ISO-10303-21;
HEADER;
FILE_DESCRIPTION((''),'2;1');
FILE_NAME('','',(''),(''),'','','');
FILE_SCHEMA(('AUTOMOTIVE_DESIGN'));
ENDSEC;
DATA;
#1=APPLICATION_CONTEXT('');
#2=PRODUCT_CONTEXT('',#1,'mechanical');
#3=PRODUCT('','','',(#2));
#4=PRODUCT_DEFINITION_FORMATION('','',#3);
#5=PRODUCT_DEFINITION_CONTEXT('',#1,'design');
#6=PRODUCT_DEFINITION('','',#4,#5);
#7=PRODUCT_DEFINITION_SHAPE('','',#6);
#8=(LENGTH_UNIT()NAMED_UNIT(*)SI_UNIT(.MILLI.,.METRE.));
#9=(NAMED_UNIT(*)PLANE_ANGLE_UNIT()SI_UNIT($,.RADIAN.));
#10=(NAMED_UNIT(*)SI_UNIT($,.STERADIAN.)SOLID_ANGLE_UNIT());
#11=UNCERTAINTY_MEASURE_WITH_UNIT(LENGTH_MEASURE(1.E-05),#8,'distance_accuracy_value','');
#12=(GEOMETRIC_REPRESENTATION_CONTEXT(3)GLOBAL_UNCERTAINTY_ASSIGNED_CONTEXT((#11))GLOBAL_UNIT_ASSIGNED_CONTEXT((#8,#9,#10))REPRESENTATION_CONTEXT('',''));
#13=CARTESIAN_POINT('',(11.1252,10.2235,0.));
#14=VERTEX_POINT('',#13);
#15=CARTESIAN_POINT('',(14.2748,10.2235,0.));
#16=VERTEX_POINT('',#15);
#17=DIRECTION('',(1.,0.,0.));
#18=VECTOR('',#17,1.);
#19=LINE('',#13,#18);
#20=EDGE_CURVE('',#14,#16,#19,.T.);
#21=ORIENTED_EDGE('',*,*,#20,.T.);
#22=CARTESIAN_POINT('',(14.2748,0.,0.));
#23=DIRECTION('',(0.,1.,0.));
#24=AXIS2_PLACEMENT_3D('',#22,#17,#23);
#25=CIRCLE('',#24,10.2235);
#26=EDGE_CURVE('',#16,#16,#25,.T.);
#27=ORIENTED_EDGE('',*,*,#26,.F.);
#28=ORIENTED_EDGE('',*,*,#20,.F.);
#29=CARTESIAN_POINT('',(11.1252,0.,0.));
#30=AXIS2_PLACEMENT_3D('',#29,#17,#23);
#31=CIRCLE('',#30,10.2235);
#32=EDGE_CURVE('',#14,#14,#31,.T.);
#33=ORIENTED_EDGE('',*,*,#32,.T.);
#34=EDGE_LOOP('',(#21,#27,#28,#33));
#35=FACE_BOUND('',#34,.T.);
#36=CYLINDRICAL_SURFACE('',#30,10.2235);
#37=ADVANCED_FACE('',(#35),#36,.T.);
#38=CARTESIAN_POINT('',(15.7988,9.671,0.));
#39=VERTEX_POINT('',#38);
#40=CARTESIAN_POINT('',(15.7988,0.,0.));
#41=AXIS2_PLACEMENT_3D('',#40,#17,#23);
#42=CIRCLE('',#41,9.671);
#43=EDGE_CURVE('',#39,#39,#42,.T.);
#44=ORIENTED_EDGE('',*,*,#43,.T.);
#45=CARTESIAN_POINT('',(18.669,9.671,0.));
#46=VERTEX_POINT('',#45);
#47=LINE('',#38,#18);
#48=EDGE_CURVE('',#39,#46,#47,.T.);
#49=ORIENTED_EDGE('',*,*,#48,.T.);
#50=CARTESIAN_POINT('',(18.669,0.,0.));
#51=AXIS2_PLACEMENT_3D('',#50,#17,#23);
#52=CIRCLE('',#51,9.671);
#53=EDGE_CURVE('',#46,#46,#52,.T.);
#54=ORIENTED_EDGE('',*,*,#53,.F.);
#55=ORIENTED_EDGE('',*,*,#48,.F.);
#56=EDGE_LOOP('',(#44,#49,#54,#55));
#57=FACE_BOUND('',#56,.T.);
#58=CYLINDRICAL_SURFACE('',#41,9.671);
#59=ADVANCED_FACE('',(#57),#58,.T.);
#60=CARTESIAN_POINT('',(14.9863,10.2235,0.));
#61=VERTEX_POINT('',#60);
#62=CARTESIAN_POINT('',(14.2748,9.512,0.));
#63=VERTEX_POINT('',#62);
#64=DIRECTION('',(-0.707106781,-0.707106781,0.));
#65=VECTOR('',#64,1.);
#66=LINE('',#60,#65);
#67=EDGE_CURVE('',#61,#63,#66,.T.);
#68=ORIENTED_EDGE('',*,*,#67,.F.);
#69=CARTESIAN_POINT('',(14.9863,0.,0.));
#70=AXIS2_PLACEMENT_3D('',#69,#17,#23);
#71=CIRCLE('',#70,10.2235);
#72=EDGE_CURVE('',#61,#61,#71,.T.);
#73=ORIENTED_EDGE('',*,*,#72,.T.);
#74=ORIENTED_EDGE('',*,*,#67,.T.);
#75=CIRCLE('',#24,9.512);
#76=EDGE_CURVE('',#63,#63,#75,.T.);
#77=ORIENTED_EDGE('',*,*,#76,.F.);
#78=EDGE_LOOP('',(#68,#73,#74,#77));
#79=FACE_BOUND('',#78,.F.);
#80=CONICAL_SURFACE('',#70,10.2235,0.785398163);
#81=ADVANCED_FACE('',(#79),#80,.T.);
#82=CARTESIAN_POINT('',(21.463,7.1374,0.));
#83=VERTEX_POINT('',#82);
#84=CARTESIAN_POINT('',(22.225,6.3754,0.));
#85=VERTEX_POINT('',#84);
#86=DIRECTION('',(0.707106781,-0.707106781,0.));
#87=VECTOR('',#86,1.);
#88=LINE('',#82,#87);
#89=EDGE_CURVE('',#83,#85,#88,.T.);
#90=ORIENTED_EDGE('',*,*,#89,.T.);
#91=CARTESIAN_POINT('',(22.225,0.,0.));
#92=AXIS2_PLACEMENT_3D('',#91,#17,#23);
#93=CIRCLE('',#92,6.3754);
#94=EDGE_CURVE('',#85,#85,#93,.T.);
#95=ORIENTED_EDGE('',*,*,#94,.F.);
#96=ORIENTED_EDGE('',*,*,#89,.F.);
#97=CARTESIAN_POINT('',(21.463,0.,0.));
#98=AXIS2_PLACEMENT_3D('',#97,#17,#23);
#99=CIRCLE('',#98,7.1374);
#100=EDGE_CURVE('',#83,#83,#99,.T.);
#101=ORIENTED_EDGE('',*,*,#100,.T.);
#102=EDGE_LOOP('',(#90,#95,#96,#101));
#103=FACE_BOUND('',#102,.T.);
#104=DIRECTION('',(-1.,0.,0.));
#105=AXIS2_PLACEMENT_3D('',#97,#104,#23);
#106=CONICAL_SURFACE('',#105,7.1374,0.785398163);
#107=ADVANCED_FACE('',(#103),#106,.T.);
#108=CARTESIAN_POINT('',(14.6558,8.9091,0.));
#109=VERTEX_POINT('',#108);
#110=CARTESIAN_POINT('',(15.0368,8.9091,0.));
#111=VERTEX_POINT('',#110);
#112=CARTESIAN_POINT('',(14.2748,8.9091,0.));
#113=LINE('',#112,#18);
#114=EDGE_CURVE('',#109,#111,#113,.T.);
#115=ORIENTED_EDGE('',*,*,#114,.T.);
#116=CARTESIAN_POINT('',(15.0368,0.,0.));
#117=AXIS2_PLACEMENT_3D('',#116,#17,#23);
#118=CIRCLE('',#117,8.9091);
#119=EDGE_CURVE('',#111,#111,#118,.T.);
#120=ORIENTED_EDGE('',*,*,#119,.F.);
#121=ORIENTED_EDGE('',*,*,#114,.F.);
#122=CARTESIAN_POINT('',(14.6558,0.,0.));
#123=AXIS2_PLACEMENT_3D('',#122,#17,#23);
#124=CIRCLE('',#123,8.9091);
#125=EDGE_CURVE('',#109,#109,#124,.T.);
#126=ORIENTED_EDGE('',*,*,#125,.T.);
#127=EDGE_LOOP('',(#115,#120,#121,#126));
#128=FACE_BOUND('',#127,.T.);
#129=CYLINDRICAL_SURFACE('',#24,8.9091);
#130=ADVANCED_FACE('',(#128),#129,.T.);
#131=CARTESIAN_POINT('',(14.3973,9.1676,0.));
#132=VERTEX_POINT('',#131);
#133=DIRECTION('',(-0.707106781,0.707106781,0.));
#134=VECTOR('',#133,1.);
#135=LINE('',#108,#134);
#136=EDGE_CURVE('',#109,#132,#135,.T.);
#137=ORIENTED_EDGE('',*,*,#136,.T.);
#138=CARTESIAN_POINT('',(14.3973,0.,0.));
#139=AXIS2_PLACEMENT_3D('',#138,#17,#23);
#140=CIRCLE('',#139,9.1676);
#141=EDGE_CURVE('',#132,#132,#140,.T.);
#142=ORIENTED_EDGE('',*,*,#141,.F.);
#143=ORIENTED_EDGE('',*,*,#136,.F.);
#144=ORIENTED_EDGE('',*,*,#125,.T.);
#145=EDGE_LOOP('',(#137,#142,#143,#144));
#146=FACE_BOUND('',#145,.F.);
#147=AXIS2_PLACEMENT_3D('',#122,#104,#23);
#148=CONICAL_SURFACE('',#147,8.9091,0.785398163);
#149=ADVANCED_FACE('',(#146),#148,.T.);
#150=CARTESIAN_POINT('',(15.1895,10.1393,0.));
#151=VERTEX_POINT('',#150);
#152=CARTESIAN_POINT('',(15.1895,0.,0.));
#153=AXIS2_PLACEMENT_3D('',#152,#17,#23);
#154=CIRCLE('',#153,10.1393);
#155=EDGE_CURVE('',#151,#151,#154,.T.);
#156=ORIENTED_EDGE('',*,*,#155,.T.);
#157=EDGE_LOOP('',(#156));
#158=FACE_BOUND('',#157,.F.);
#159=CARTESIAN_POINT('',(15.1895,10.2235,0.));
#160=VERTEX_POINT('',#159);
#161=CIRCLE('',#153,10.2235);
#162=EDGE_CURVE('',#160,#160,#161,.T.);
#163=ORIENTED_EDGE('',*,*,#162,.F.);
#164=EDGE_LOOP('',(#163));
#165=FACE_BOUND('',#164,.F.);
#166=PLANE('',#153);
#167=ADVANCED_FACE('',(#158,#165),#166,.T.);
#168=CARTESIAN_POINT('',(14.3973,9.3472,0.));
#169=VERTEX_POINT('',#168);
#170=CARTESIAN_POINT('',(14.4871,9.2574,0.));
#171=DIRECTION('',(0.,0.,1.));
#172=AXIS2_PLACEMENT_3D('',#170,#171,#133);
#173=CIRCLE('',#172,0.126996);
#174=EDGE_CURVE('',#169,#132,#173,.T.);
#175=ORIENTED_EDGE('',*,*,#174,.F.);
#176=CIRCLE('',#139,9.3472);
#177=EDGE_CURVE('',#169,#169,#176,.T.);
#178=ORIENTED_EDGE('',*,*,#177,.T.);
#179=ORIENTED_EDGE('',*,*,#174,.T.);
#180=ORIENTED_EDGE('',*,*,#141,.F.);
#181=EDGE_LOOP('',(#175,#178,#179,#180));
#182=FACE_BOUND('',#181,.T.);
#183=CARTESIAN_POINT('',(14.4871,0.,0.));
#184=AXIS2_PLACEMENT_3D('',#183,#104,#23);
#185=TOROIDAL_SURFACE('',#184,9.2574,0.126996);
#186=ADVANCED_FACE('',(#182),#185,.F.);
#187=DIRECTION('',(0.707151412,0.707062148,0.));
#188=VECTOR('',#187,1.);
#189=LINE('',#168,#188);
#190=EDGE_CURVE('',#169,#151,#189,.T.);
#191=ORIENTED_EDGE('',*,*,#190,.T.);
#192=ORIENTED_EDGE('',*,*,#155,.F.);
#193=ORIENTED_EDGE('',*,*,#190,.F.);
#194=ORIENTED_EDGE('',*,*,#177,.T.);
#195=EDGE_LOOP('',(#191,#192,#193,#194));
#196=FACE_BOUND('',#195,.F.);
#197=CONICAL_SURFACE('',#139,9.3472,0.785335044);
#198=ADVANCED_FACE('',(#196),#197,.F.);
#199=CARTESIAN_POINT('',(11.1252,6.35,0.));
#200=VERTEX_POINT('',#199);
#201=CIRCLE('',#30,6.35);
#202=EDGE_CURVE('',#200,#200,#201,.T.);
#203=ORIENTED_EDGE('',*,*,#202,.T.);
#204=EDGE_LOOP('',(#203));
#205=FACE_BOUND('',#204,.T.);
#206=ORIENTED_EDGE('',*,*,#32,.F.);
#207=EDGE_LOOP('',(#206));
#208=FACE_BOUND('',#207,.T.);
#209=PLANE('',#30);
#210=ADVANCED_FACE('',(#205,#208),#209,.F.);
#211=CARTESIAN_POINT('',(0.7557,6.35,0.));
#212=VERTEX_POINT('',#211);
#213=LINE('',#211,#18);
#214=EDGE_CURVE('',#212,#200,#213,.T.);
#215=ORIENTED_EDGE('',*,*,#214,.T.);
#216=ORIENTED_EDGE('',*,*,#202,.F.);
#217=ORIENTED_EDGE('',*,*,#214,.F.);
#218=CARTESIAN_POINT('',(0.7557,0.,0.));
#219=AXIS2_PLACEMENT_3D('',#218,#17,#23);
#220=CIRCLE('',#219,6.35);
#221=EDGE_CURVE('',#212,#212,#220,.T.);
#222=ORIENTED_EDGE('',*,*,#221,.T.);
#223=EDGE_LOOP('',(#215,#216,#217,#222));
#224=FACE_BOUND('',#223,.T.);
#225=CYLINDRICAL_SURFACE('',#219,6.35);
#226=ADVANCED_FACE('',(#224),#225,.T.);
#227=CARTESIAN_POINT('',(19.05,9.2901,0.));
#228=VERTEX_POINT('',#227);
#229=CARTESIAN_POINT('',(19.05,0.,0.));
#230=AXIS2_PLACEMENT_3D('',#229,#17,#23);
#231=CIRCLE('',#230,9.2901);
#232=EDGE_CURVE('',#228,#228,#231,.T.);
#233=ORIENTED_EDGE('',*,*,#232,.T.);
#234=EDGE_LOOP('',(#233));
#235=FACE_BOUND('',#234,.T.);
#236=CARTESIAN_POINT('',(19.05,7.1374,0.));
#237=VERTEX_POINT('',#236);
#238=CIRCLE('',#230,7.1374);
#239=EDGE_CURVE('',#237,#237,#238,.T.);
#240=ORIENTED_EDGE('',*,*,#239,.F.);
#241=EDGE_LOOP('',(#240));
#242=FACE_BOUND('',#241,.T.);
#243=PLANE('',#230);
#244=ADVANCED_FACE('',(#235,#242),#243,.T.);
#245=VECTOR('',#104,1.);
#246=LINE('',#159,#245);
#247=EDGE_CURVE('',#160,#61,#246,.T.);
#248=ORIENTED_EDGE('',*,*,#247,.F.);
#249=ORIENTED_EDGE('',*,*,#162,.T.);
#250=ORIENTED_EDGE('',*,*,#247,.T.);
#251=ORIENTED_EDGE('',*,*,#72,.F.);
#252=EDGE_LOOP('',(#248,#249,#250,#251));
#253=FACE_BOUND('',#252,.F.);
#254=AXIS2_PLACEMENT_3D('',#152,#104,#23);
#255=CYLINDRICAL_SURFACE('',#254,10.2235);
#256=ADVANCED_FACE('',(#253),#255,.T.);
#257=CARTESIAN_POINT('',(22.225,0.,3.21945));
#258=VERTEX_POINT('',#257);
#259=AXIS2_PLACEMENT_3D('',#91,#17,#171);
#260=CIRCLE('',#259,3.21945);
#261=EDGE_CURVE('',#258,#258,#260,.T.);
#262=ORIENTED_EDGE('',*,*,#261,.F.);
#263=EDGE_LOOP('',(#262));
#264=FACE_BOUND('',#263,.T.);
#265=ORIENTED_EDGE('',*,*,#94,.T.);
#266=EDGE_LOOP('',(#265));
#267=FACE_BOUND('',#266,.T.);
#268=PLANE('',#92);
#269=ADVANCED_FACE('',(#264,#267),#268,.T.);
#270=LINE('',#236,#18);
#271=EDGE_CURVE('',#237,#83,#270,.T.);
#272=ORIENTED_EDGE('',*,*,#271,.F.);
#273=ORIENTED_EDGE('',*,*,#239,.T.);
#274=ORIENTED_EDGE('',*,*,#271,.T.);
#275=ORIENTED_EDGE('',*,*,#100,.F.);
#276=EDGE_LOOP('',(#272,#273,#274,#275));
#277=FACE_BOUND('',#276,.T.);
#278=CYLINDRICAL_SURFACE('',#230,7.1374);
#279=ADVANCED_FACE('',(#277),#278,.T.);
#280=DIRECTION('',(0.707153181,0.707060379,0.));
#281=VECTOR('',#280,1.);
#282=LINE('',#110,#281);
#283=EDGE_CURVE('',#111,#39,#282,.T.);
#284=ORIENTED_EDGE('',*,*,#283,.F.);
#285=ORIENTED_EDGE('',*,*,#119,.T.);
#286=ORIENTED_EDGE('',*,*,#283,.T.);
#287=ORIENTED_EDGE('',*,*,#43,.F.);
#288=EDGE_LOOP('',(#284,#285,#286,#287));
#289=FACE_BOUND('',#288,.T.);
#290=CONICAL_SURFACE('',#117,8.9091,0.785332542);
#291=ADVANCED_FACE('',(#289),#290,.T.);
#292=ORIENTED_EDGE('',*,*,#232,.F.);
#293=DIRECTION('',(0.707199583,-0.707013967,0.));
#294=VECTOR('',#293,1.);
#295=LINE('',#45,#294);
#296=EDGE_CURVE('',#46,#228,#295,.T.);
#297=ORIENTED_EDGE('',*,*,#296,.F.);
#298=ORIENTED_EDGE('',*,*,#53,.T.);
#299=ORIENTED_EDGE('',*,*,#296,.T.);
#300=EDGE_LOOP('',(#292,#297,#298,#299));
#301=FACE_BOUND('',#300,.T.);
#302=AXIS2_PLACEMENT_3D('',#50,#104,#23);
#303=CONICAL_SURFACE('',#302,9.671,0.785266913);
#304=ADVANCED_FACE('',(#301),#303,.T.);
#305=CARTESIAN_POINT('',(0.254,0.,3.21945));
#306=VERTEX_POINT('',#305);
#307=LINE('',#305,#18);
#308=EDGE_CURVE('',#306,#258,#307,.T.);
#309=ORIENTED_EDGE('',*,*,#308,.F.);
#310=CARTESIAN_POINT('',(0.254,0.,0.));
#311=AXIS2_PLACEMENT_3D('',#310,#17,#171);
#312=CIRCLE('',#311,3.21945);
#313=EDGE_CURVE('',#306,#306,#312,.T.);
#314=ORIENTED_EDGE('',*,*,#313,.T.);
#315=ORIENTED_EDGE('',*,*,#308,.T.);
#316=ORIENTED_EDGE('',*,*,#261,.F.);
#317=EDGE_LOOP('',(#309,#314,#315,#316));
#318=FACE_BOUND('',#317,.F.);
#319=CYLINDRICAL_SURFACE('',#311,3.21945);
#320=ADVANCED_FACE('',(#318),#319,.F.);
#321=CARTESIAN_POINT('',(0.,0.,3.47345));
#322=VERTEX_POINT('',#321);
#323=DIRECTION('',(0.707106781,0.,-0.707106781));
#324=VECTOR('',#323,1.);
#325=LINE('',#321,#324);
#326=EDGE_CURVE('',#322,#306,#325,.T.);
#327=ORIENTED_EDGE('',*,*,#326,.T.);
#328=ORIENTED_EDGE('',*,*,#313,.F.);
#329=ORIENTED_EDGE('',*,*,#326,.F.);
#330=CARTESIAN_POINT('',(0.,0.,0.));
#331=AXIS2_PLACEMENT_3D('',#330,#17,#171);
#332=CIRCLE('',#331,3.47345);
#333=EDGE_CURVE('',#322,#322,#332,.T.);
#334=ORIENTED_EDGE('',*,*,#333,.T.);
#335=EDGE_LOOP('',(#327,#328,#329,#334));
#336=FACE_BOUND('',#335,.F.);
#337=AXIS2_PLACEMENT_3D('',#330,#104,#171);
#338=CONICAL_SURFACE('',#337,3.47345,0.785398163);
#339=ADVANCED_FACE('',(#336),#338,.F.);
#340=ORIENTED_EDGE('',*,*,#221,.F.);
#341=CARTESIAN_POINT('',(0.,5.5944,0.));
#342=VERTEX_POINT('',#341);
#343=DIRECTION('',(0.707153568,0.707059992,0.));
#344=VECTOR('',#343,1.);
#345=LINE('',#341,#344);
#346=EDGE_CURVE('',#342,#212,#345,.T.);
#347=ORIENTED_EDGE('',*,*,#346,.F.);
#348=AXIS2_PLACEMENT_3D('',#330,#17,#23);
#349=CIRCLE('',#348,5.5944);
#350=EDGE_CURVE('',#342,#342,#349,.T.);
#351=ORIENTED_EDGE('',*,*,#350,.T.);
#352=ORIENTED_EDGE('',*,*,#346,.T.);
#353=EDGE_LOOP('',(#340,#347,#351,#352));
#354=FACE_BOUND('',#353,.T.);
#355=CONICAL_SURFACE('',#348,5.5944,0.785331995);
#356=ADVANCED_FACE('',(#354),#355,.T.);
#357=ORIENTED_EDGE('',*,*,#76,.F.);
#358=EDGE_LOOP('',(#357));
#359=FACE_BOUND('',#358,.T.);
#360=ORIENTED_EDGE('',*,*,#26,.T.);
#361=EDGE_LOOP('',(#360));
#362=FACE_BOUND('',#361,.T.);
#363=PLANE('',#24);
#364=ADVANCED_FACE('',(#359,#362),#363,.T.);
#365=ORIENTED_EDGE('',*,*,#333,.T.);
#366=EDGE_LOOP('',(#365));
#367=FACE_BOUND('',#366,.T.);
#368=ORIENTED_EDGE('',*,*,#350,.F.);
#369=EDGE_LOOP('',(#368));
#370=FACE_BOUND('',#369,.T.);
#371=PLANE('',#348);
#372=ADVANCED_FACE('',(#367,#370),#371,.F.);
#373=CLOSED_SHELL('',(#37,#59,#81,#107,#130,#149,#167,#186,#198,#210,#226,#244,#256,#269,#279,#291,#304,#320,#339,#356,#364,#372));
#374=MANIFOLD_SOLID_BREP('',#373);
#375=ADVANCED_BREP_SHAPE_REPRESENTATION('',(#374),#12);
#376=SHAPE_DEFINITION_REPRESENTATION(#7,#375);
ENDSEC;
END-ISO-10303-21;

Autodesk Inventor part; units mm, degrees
sketch "Sketch_1" plane through (0, 0, 0) normal (0, 0, 1) x (1, 0, 0)
  line L0 (11.1252, 0) -> (0, 0)
  line L1 (0, 0) -> (0, 5.5944)
  line L2 (0, 5.5944) -> (0.7557, 6.35)
  line L3 (0.7557, 6.35) -> (11.1252, 6.35)
  line L4 (11.1252, 6.35) -> (11.1252, 0)
  line L5 (11.1252, 0) -> (0, 0)
revolve "Revolution1" add sketch "Sketch_1" angle 360 about axis through (11.1252, 0, 0) along (1, 0, 0)
thread "Thread1" size "1/2-20 UNF" class "2A" standard "ANSI Unified Screw Threads" full length
sketch "Sketch_3" plane through (0, 0, 0) normal (0, 0, 1) x (1, 0, 0)
  line L0 (19.05, 0) -> (11.1252, 0)
  line L1 (11.1252, 0) -> (11.1252, 10.2235)
  line L2 (11.1252, 10.2235) -> (14.2748, 10.2235)
  line L3 (14.2748, 10.2235) -> (14.2748, 8.9091)
  line L4 (14.2748, 8.9091) -> (15.0368, 8.9091)
  line L5 (15.0368, 8.9091) -> (15.7988, 9.671)
  line L6 (15.7988, 9.671) -> (18.669, 9.671)
  line L7 (18.669, 9.671) -> (19.05, 9.2901)
  line L8 (19.05, 9.2901) -> (19.05, 0)
  line L9 (19.05, 0) -> (11.1252, 0)
revolve "Revolution2" add sketch "Sketch_3" angle 360 about axis through (19.05, 0, 0) along (1, 0, 0)
sketch "Sketch_4" plane through (0, 0, 0) normal (0, 0, 1) x (1, 0, 0)
  line L0 (22.225, 0) -> (19.05, 0)
  line L1 (19.05, 0) -> (19.05, 7.1374)
  line L2 (19.05, 7.1374) -> (21.463, 7.1374)
  line L3 (21.463, 7.1374) -> (22.225, 6.3754)
  line L4 (22.225, 6.3754) -> (22.225, 0)
  line L5 (22.225, 0) -> (19.05, 0)
revolve "Revolution3" add sketch "Sketch_4" angle 360 about axis through (22.225, 0, 0) along (1, 0, 0)
sketch "Sketch4" plane through (0, 0, 0) normal (-1, 0, 0) x (0, 0, 1)
  point P0 (0, 0)
hole "Hole1" at (0, 0, 0) direction (1, 0, 0) diameter 6.4389 depth 22.225 countersink diameter 6.9469 countersink angle 90
sketch "Sketch_47" plane through (0, 0, 0) normal (0, 0, 1) x (1, 0, 0)
  line L0 (15.0368, 0) -> (14.2748, 0)
  line L1 (14.2748, 9.512) -> (14.2748, 8.655)
  line L2 (14.2748, 8.655) -> (15.0368, 8.655)
  line L3 (15.0368, 8.655) -> (15.0368, 8.9091)
  line L4 (15.0368, 8.9091) -> (14.6558, 8.9091)
  line L5 (14.6558, 8.9091) -> (14.3973, 9.1676)
  arc A0 (14.3973, 9.3472) -> (14.3973, 9.1676) centre (14.4871, 9.2574) ccw
  line L6 (14.3973, 9.3472) -> (15.1895, 10.1393)
  line L7 (15.1895, 10.1393) -> (15.1895, 10.2235)
  line L8 (15.1895, 10.2235) -> (14.9863, 10.2235)
  line L9 (14.9863, 10.2235) -> (14.2748, 9.512)
revolve "Revolution4" add sketch "Sketch_47" angle 360 about axis through (15.0368, 0, 0) along (1, 0, 0)
ref_plane "hh_XY" through (0, 6.35, 0) normal (0, 0, 1) x (1, 0, 0)
ref_plane "hh_YZ" through (0, 6.35, 0) normal (1, 0, 0) x (0, 1, 0)
ref_plane "hh_ZX" through (0, 6.35, 0) normal (0, 1, 0) x (0, 0, 1)
ref_plane "rod_guide_XY" through (0, 0, 0) normal (1, 0, 0) x (0, 0, -1)
ref_plane "rod_guide_YZ" through (0, 0, 0) normal (0, 0, -1) x (0, 1, 0)
ref_plane "rod_guide_ZX" through (0, 0, 0) normal (0, 1, 0) x (1, 0, 0)
ref_plane "t1_XY" through (11.1252, 0, 0) normal (1, 0, 0) x (0, 0, -1)
ref_plane "t1_YZ" through (11.1252, 0, 0) normal (0, 0, -1) x (0, 1, 0)
ref_plane "t1_ZX" through (11.1252, 0, 0) normal (0, 1, 0) x (1, 0, 0)
ref_plane "t111_XY" through (11.1252, 0, 0) normal (1, 0, 0) x (0, 0, -1)
ref_plane "t111_YZ" through (11.1252, 0, 0) normal (0, 0, -1) x (0, 1, 0)
ref_plane "t111_ZX" through (11.1252, 0, 0) normal (0, 1, 0) x (1, 0, 0)
ref_plane "to_foot_bracket_XY" through (11.1252, 0, 0) normal (1, 0, 0) x (0, 0, -1)
ref_plane "to_foot_bracket_YZ" through (11.1252, 0, 0) normal (0, 0, -1) x (0, 1, 0)
ref_plane "to_foot_bracket_ZX" through (11.1252, 0, 0) normal (0, 1, 0) x (1, 0, 0)
ref_plane "to_nut_XY" through (11.1252, 0, 0) normal (1, 0, 0) x (0, 0, -1)
ref_plane "to_nut_YZ" through (11.1252, 0, 0) normal (0, 0, -1) x (0, 1, 0)
ref_plane "to_nut_ZX" through (11.1252, 0, 0) normal (0, 1, 0) x (1, 0, 0)
ref_plane "to_rod_XY" through (0, 0, 0) normal (1, 0, 0) x (0, 0, -1)
ref_plane "to_rod_YZ" through (0, 0, 0) normal (0, 0, -1) x (0, 1, 0)
ref_plane "to_rod_ZX" through (0, 0, 0) normal (0, 1, 0) x (1, 0, 0)
ref_plane "to_screw_XY" through (6.35, 2.032, -6.0452) normal (0, 1, 0) x (1, 0, 0)
ref_plane "to_screw_YZ" through (6.35, 2.032, -6.0452) normal (1, 0, 0) x (0, 0, -1)
ref_plane "to_screw_ZX" through (6.35, 2.032, -6.0452) normal (0, 0, -1) x (0, 1, 0)
ref_plane "to_trunnion_brackets_XY" through (11.1252, 0, 0) normal (0, 1, 0) x (1, 0, 0)
ref_plane "to_trunnion_brackets_YZ" through (11.1252, 0, 0) normal (1, 0, 0) x (0, 0, -1)
ref_plane "to_trunnion_brackets_ZX" through (11.1252, 0, 0) normal (0, 0, -1) x (0, 1, 0)
ref_plane "to_trunnion_brackets1_XY" through (11.1252, 12.7, 0) normal (0, 1, 0) x (1, 0, 0)
ref_plane "to_trunnion_brackets1_YZ" through (11.1252, 12.7, 0) normal (1, 0, 0) x (0, 0, -1)
ref_plane "to_trunnion_brackets1_ZX" through (11.1252, 12.7, 0) normal (0, 0, -1) x (0, 1, 0)
ref_plane "to_trunnion_brackets2_XY" through (11.1252, -12.7, 0) normal (0, 1, 0) x (1, 0, 0)
ref_plane "to_trunnion_brackets2_YZ" through (11.1252, -12.7, 0) normal (1, 0, 0) x (0, 0, -1)
ref_plane "to_trunnion_brackets2_ZX" through (11.1252, -12.7, 0) normal (0, 0, -1) x (0, 1, 0)
ref_plane "to_tube_XY" through (15.0368, 0, 0) normal (1, 0, 0) x (0, 0, -1)
ref_plane "to_tube_YZ" through (15.0368, 0, 0) normal (0, 0, -1) x (0, 1, 0)
ref_plane "to_tube_ZX" through (15.0368, 0, 0) normal (0, 1, 0) x (1, 0, 0)
properties part number "04000-0_rod_guide"
